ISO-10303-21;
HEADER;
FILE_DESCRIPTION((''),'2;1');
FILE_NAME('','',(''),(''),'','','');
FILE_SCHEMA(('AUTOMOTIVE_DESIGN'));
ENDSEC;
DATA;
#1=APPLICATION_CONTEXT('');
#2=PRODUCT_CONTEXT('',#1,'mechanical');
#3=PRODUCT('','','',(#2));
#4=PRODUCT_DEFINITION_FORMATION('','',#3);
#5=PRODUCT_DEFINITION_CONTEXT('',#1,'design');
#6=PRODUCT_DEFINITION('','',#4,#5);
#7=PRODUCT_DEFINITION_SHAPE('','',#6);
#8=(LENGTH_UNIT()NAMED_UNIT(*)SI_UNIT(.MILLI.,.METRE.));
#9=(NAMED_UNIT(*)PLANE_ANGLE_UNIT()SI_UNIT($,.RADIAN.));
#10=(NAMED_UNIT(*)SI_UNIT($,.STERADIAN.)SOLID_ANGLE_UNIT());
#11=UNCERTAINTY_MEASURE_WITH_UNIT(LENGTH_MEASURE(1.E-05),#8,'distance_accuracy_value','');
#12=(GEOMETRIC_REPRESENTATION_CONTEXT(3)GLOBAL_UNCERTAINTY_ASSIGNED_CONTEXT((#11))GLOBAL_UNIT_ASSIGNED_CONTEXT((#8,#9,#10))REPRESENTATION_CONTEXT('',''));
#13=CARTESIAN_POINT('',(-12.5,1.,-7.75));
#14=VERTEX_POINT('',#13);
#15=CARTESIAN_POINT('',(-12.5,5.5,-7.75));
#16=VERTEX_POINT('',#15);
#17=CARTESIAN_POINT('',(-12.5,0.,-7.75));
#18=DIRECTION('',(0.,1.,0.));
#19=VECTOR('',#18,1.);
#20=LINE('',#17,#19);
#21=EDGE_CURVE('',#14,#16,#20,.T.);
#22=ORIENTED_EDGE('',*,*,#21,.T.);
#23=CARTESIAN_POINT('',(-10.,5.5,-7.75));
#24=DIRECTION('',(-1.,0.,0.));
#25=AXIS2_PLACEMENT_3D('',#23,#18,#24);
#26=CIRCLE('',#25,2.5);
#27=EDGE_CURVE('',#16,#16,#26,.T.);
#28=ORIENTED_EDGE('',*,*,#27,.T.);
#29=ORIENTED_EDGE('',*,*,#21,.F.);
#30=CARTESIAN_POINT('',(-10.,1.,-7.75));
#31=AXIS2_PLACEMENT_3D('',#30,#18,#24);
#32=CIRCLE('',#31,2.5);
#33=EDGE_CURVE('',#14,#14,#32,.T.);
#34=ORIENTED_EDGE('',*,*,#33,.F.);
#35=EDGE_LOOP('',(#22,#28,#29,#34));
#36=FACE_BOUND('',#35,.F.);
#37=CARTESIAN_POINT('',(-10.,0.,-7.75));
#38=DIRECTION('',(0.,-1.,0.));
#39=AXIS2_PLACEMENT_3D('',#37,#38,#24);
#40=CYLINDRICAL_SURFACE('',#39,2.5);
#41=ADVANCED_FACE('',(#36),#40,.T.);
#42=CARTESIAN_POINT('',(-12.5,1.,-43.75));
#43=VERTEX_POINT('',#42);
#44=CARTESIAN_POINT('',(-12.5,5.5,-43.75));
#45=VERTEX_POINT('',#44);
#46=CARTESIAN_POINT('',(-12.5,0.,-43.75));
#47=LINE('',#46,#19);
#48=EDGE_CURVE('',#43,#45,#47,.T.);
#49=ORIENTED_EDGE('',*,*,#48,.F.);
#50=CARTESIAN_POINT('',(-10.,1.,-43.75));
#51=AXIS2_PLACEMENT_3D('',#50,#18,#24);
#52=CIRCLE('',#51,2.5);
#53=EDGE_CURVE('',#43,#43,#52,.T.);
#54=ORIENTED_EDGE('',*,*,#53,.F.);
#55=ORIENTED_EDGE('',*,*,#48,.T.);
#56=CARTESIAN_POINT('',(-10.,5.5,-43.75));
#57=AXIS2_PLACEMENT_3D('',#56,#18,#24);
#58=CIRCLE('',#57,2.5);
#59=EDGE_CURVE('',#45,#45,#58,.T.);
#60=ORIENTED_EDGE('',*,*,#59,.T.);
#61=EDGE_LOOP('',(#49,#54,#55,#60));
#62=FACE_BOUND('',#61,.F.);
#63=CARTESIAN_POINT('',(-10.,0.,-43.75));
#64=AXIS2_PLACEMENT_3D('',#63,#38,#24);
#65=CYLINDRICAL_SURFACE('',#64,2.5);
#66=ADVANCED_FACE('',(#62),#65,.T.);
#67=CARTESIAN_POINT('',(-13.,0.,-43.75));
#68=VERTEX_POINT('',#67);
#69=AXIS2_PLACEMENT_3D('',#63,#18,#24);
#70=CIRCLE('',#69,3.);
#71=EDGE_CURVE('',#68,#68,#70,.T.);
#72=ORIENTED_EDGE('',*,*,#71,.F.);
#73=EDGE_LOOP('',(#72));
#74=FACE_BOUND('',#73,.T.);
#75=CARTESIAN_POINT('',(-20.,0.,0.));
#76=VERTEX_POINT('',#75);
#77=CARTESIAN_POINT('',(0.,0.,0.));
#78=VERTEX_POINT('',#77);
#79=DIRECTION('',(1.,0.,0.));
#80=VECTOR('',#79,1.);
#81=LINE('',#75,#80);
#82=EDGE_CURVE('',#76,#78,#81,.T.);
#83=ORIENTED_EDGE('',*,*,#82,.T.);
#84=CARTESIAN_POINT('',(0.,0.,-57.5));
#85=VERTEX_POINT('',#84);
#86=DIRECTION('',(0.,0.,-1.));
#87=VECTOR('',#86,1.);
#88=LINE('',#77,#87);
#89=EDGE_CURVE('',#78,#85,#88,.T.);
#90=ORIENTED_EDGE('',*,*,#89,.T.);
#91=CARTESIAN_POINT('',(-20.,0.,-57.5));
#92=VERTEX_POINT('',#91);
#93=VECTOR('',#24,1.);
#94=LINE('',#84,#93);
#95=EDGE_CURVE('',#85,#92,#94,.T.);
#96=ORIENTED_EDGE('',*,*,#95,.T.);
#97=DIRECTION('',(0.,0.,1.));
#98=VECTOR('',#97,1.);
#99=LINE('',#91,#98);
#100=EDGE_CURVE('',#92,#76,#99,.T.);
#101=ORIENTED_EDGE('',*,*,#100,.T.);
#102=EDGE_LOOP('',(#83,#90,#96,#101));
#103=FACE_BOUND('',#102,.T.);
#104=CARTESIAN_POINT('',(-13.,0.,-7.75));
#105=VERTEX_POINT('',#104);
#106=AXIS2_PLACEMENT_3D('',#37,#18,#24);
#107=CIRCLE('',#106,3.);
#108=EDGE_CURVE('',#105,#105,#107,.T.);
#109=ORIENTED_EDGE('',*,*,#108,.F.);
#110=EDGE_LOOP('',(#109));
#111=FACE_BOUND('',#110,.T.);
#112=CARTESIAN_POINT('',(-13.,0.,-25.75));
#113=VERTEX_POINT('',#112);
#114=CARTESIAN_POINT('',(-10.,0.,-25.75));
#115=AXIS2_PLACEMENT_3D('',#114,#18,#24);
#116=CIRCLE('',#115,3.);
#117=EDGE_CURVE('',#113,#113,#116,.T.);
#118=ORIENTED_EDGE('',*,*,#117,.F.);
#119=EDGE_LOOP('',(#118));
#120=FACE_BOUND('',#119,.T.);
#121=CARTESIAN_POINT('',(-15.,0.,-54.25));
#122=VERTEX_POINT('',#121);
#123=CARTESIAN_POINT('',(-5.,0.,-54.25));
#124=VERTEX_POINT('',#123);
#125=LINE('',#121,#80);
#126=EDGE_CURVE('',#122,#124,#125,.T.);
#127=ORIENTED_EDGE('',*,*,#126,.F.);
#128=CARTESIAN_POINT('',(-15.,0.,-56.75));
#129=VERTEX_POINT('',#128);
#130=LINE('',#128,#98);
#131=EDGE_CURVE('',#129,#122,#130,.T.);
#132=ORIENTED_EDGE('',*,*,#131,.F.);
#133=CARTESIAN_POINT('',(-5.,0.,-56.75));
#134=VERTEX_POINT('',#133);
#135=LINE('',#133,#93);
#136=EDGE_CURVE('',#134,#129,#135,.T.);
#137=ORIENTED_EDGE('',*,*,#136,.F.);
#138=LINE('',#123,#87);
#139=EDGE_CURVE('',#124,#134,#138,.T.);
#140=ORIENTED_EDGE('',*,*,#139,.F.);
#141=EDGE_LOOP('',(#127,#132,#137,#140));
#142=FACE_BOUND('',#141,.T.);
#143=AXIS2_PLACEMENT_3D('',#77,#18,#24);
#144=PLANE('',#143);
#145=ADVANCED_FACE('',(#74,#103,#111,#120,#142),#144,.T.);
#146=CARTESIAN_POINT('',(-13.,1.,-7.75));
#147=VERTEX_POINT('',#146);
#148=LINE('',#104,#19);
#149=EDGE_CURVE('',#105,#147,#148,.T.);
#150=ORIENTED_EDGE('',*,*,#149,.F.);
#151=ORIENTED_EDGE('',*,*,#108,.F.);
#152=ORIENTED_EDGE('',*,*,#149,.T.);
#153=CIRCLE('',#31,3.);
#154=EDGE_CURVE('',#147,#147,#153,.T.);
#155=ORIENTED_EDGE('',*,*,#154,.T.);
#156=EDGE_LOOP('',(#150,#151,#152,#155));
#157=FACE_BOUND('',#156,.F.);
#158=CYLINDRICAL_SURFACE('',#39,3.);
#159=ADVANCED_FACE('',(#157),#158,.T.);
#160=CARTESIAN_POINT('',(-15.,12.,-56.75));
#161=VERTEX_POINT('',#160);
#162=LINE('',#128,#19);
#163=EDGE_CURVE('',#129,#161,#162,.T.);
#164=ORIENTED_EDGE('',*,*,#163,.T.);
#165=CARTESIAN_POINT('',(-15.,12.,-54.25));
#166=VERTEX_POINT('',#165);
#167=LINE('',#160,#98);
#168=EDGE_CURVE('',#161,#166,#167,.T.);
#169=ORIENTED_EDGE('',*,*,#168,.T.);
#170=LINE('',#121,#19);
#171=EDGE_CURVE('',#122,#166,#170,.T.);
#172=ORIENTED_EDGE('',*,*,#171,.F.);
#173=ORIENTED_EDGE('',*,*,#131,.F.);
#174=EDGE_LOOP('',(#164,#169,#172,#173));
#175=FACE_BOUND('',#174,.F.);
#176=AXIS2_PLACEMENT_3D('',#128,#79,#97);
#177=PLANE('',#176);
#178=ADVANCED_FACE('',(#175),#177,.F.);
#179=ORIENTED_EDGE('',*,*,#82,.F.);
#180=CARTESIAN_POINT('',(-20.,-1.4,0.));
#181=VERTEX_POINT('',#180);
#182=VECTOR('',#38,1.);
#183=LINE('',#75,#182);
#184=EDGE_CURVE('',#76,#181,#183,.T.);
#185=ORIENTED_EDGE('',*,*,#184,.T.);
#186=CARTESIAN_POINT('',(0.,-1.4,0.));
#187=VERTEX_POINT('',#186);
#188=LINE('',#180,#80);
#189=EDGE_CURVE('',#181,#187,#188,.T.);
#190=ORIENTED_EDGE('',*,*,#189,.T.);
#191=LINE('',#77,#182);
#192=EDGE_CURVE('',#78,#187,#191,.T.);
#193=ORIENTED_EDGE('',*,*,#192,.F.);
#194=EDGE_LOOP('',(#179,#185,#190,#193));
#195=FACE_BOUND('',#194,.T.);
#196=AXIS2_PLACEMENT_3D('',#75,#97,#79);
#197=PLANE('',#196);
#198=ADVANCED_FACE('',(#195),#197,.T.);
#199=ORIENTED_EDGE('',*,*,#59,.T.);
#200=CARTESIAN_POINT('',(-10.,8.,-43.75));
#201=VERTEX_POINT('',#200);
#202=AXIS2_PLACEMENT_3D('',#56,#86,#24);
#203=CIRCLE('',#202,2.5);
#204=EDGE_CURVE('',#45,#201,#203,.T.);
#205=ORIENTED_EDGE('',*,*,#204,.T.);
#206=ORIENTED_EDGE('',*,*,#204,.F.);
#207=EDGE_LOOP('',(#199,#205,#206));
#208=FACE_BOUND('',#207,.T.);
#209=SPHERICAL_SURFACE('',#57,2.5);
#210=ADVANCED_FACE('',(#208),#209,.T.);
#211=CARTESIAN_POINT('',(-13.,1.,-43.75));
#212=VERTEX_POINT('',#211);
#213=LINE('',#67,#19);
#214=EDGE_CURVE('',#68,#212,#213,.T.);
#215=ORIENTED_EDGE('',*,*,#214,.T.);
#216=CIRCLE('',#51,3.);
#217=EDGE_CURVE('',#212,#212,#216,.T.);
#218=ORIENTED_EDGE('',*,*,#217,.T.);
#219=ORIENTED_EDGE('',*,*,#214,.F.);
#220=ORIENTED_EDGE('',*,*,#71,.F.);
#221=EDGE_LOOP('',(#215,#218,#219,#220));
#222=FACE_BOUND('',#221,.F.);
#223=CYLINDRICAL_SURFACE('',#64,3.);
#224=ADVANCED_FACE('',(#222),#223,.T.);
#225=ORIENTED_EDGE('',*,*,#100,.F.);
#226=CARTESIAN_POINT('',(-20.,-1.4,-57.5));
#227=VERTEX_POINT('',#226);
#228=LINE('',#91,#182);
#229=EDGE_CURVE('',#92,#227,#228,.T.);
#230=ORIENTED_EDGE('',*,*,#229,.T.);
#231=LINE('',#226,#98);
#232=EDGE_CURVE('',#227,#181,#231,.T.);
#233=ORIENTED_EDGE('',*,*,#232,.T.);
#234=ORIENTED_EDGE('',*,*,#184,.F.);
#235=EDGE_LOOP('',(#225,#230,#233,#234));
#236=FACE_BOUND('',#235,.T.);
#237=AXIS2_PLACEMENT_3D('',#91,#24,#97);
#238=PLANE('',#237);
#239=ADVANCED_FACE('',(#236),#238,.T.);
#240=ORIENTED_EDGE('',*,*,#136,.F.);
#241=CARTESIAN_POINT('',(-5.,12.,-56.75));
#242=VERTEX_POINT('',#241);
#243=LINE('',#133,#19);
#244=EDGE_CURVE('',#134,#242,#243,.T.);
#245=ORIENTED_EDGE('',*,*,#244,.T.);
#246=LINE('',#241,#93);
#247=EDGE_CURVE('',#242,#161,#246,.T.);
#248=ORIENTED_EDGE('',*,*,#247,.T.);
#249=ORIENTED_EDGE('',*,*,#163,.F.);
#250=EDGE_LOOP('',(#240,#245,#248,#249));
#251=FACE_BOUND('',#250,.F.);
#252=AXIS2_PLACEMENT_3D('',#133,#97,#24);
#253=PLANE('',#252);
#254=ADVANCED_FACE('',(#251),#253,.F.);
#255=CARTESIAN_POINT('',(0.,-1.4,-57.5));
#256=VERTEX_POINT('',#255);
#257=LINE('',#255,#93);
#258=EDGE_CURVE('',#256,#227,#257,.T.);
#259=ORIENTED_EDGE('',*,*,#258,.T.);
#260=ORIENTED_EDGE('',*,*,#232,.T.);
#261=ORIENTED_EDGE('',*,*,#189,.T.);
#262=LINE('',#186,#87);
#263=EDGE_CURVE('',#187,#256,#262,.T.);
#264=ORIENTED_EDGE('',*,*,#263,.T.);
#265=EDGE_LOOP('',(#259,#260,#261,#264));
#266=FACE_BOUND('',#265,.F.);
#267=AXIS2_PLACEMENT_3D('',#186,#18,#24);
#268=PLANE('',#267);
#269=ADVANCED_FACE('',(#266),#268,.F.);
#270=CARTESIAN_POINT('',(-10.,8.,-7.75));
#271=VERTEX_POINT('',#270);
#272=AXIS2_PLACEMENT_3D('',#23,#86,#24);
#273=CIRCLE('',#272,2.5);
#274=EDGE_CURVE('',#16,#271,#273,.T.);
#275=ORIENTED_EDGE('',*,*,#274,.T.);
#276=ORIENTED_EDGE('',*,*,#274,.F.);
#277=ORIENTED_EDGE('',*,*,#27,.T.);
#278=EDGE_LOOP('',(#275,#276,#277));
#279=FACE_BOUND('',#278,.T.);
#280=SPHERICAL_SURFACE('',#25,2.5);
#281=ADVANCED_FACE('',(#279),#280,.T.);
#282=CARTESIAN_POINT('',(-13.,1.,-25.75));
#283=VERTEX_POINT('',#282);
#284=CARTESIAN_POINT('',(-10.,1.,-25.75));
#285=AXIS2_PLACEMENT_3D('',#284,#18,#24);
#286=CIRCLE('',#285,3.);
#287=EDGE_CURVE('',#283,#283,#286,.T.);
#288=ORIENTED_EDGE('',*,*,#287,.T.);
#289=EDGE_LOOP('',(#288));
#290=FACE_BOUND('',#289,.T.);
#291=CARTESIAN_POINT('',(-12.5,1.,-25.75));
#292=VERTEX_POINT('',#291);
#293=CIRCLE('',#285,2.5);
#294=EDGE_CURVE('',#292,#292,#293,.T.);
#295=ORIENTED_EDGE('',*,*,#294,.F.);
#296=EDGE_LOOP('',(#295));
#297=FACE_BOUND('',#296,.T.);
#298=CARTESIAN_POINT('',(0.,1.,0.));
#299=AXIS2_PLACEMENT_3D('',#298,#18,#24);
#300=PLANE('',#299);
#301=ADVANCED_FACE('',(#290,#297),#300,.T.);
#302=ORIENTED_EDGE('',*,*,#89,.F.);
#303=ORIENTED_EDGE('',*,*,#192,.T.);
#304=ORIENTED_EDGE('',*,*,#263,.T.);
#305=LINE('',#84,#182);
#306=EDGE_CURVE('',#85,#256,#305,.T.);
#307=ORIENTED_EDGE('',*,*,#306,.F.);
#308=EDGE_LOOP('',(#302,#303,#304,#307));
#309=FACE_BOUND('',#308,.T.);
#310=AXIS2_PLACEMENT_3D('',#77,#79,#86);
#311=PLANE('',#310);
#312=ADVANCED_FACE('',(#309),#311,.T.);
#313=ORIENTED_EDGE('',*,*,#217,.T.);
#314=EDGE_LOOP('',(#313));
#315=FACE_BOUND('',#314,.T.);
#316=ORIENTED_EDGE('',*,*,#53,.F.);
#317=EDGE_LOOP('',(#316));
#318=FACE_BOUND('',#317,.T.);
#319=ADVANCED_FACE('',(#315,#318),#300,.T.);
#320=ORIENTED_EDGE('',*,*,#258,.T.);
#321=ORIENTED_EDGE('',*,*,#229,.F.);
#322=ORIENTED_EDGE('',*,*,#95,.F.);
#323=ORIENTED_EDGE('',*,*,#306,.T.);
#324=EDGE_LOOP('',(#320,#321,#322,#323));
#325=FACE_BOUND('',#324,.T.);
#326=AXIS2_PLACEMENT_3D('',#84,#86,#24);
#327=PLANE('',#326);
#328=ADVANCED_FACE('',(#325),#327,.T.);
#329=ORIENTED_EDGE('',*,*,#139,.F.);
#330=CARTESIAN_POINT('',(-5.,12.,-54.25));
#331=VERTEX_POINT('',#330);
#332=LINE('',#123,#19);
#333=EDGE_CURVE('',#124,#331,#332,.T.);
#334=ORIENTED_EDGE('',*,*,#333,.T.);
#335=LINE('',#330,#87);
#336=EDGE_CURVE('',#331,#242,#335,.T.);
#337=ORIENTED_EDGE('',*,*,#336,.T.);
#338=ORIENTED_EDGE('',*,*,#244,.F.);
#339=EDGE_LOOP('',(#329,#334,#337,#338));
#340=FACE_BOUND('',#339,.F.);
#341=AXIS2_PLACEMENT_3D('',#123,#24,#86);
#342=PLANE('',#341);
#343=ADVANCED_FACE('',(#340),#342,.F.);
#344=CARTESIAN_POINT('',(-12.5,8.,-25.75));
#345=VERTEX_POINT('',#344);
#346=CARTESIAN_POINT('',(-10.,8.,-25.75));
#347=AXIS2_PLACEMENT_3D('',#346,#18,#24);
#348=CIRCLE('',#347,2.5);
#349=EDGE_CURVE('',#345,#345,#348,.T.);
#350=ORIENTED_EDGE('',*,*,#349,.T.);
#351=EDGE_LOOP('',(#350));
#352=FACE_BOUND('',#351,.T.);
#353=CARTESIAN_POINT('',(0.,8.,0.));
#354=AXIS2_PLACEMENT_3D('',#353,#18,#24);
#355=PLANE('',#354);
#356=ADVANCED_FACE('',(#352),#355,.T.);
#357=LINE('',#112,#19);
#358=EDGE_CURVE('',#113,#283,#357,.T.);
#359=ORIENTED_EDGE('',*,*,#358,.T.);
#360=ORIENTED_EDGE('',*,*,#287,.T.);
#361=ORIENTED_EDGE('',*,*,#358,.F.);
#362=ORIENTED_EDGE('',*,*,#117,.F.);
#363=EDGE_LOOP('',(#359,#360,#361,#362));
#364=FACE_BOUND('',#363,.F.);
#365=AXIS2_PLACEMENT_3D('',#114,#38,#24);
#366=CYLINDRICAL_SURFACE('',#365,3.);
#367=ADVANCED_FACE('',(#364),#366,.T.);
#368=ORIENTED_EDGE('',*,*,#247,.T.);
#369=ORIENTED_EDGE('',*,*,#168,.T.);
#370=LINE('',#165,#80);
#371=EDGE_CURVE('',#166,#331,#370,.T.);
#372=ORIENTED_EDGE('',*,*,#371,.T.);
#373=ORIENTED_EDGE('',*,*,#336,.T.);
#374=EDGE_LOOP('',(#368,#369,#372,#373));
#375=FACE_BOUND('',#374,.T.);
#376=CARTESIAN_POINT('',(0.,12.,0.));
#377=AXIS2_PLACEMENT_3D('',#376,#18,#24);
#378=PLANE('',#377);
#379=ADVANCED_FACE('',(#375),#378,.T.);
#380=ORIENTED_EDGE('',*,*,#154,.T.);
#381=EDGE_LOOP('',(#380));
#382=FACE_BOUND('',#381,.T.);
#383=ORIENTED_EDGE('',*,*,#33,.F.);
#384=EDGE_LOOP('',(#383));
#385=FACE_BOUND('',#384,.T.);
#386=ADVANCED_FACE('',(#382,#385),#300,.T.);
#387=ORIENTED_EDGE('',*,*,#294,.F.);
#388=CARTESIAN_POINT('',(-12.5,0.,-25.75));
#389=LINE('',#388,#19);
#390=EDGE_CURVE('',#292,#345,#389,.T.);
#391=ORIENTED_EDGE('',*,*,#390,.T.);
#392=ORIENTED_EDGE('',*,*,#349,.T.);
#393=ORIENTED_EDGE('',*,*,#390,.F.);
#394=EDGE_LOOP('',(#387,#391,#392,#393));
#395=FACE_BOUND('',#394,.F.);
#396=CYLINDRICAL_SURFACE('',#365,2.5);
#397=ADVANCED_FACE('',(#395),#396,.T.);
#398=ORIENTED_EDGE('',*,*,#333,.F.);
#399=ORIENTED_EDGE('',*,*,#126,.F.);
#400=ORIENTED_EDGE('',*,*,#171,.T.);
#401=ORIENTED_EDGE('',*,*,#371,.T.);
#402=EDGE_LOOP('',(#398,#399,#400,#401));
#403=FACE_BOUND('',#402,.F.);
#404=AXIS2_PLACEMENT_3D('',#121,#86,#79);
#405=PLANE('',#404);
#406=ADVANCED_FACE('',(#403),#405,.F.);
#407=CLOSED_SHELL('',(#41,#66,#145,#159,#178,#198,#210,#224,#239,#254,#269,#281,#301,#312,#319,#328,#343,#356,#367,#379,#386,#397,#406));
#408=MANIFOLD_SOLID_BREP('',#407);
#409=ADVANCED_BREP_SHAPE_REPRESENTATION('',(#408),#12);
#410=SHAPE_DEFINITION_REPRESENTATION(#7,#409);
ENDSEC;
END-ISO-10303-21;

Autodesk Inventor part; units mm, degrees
ref_plane "YZ Plane" through (0, 0, 0) normal (1, 0, 0) x (0, 1, 0)
ref_plane "XZ Plane" through (0, 0, 0) normal (0, 1, 0) x (-1, 0, 0)
ref_plane "XY Plane" through (0, 0, 0) normal (0, 0, 1) x (1, 0, 0)
sketch "Sketch1" plane through (0, 0, 0) normal (0, 1, 0) x (-1, 0, 0)
  line L0 (20, 0) -> (0, 0)
  line L1 (0, 0) -> (0, -57.5)
  line L2 (0, -57.5) -> (20, -57.5)
  line L3 (20, -57.5) -> (20, 0)
  circle A0 centre (10, -7.75) radius 2.5
  circle A1 centre (10, -25.75) radius 2.5
  circle A2 centre (10, -43.75) radius 2.5
  line L4 (15, -54.25) -> (5, -54.25)
  line L5 (5, -54.25) -> (5, -56.75)
  line L6 (5, -56.75) -> (15, -56.75)
  line L7 (15, -56.75) -> (15, -54.25)
  circle A3 centre (10, -7.75) radius 3
  circle A4 centre (10, -25.75) radius 3
  circle A5 centre (10, -43.75) radius 3
  dimension "d0" = 57.5
  dimension "d1" = 20
  dimension "d2" = 5
  dimension "d3" = 5
  dimension "d4" = 5
  dimension "d8" = 0.75
  dimension "d9" = 2.5
  dimension "d10" = 10
  dimension "d20" = 10
  dimension "d21" = 5
  dimension "d22" = 6
  dimension "d23" = 6
  dimension "d24" = 6
  dimension "d45" = 7.75
  dimension "d46" = 18
  dimension "d47" = 18
extrude "Extrusion1" add sketch "Sketch1" against normal blind 1.4 contours L3 L2 L1 L0 | A0 | A1 | A2 | L7 L6 L5 L4 | A3 | A4 | A5
extrude "Extrusion2" add sketch "Sketch1" along normal blind 12 contours L7 L6 L5 L4
extrude "Extrusion5" add sketch "Sketch1" along normal blind 8 contours A0
extrude "Extrusion6" add sketch "Sketch1" along normal blind 1 contours A3
fillet "Fillet4" radius 2.5 1 edges at (-7.5, 8, -7.75)
extrude "Extrusion7" add sketch "Sketch1" along normal blind 1 contours A4
extrude "Extrusion8" add sketch "Sketch1" along normal blind 8 contours A1
fillet "Fillet5" [suppressed]
extrude "Extrusion9" add sketch "Sketch1" along normal blind 8 contours A2
extrude "Extrusion10" add sketch "Sketch1" along normal blind 1 contours A5
fillet "Fillet6" radius 2.5 1 edges at (-7.5, 8, -43.75)
sketch "Sketch2" plane through (-10, 8, -25.75) normal (0, 1, 0) x (1, 0, 0)
  point P0 (10, -25.75)
  point P1 (0, 0)
properties part number "Led_Board_V1"
